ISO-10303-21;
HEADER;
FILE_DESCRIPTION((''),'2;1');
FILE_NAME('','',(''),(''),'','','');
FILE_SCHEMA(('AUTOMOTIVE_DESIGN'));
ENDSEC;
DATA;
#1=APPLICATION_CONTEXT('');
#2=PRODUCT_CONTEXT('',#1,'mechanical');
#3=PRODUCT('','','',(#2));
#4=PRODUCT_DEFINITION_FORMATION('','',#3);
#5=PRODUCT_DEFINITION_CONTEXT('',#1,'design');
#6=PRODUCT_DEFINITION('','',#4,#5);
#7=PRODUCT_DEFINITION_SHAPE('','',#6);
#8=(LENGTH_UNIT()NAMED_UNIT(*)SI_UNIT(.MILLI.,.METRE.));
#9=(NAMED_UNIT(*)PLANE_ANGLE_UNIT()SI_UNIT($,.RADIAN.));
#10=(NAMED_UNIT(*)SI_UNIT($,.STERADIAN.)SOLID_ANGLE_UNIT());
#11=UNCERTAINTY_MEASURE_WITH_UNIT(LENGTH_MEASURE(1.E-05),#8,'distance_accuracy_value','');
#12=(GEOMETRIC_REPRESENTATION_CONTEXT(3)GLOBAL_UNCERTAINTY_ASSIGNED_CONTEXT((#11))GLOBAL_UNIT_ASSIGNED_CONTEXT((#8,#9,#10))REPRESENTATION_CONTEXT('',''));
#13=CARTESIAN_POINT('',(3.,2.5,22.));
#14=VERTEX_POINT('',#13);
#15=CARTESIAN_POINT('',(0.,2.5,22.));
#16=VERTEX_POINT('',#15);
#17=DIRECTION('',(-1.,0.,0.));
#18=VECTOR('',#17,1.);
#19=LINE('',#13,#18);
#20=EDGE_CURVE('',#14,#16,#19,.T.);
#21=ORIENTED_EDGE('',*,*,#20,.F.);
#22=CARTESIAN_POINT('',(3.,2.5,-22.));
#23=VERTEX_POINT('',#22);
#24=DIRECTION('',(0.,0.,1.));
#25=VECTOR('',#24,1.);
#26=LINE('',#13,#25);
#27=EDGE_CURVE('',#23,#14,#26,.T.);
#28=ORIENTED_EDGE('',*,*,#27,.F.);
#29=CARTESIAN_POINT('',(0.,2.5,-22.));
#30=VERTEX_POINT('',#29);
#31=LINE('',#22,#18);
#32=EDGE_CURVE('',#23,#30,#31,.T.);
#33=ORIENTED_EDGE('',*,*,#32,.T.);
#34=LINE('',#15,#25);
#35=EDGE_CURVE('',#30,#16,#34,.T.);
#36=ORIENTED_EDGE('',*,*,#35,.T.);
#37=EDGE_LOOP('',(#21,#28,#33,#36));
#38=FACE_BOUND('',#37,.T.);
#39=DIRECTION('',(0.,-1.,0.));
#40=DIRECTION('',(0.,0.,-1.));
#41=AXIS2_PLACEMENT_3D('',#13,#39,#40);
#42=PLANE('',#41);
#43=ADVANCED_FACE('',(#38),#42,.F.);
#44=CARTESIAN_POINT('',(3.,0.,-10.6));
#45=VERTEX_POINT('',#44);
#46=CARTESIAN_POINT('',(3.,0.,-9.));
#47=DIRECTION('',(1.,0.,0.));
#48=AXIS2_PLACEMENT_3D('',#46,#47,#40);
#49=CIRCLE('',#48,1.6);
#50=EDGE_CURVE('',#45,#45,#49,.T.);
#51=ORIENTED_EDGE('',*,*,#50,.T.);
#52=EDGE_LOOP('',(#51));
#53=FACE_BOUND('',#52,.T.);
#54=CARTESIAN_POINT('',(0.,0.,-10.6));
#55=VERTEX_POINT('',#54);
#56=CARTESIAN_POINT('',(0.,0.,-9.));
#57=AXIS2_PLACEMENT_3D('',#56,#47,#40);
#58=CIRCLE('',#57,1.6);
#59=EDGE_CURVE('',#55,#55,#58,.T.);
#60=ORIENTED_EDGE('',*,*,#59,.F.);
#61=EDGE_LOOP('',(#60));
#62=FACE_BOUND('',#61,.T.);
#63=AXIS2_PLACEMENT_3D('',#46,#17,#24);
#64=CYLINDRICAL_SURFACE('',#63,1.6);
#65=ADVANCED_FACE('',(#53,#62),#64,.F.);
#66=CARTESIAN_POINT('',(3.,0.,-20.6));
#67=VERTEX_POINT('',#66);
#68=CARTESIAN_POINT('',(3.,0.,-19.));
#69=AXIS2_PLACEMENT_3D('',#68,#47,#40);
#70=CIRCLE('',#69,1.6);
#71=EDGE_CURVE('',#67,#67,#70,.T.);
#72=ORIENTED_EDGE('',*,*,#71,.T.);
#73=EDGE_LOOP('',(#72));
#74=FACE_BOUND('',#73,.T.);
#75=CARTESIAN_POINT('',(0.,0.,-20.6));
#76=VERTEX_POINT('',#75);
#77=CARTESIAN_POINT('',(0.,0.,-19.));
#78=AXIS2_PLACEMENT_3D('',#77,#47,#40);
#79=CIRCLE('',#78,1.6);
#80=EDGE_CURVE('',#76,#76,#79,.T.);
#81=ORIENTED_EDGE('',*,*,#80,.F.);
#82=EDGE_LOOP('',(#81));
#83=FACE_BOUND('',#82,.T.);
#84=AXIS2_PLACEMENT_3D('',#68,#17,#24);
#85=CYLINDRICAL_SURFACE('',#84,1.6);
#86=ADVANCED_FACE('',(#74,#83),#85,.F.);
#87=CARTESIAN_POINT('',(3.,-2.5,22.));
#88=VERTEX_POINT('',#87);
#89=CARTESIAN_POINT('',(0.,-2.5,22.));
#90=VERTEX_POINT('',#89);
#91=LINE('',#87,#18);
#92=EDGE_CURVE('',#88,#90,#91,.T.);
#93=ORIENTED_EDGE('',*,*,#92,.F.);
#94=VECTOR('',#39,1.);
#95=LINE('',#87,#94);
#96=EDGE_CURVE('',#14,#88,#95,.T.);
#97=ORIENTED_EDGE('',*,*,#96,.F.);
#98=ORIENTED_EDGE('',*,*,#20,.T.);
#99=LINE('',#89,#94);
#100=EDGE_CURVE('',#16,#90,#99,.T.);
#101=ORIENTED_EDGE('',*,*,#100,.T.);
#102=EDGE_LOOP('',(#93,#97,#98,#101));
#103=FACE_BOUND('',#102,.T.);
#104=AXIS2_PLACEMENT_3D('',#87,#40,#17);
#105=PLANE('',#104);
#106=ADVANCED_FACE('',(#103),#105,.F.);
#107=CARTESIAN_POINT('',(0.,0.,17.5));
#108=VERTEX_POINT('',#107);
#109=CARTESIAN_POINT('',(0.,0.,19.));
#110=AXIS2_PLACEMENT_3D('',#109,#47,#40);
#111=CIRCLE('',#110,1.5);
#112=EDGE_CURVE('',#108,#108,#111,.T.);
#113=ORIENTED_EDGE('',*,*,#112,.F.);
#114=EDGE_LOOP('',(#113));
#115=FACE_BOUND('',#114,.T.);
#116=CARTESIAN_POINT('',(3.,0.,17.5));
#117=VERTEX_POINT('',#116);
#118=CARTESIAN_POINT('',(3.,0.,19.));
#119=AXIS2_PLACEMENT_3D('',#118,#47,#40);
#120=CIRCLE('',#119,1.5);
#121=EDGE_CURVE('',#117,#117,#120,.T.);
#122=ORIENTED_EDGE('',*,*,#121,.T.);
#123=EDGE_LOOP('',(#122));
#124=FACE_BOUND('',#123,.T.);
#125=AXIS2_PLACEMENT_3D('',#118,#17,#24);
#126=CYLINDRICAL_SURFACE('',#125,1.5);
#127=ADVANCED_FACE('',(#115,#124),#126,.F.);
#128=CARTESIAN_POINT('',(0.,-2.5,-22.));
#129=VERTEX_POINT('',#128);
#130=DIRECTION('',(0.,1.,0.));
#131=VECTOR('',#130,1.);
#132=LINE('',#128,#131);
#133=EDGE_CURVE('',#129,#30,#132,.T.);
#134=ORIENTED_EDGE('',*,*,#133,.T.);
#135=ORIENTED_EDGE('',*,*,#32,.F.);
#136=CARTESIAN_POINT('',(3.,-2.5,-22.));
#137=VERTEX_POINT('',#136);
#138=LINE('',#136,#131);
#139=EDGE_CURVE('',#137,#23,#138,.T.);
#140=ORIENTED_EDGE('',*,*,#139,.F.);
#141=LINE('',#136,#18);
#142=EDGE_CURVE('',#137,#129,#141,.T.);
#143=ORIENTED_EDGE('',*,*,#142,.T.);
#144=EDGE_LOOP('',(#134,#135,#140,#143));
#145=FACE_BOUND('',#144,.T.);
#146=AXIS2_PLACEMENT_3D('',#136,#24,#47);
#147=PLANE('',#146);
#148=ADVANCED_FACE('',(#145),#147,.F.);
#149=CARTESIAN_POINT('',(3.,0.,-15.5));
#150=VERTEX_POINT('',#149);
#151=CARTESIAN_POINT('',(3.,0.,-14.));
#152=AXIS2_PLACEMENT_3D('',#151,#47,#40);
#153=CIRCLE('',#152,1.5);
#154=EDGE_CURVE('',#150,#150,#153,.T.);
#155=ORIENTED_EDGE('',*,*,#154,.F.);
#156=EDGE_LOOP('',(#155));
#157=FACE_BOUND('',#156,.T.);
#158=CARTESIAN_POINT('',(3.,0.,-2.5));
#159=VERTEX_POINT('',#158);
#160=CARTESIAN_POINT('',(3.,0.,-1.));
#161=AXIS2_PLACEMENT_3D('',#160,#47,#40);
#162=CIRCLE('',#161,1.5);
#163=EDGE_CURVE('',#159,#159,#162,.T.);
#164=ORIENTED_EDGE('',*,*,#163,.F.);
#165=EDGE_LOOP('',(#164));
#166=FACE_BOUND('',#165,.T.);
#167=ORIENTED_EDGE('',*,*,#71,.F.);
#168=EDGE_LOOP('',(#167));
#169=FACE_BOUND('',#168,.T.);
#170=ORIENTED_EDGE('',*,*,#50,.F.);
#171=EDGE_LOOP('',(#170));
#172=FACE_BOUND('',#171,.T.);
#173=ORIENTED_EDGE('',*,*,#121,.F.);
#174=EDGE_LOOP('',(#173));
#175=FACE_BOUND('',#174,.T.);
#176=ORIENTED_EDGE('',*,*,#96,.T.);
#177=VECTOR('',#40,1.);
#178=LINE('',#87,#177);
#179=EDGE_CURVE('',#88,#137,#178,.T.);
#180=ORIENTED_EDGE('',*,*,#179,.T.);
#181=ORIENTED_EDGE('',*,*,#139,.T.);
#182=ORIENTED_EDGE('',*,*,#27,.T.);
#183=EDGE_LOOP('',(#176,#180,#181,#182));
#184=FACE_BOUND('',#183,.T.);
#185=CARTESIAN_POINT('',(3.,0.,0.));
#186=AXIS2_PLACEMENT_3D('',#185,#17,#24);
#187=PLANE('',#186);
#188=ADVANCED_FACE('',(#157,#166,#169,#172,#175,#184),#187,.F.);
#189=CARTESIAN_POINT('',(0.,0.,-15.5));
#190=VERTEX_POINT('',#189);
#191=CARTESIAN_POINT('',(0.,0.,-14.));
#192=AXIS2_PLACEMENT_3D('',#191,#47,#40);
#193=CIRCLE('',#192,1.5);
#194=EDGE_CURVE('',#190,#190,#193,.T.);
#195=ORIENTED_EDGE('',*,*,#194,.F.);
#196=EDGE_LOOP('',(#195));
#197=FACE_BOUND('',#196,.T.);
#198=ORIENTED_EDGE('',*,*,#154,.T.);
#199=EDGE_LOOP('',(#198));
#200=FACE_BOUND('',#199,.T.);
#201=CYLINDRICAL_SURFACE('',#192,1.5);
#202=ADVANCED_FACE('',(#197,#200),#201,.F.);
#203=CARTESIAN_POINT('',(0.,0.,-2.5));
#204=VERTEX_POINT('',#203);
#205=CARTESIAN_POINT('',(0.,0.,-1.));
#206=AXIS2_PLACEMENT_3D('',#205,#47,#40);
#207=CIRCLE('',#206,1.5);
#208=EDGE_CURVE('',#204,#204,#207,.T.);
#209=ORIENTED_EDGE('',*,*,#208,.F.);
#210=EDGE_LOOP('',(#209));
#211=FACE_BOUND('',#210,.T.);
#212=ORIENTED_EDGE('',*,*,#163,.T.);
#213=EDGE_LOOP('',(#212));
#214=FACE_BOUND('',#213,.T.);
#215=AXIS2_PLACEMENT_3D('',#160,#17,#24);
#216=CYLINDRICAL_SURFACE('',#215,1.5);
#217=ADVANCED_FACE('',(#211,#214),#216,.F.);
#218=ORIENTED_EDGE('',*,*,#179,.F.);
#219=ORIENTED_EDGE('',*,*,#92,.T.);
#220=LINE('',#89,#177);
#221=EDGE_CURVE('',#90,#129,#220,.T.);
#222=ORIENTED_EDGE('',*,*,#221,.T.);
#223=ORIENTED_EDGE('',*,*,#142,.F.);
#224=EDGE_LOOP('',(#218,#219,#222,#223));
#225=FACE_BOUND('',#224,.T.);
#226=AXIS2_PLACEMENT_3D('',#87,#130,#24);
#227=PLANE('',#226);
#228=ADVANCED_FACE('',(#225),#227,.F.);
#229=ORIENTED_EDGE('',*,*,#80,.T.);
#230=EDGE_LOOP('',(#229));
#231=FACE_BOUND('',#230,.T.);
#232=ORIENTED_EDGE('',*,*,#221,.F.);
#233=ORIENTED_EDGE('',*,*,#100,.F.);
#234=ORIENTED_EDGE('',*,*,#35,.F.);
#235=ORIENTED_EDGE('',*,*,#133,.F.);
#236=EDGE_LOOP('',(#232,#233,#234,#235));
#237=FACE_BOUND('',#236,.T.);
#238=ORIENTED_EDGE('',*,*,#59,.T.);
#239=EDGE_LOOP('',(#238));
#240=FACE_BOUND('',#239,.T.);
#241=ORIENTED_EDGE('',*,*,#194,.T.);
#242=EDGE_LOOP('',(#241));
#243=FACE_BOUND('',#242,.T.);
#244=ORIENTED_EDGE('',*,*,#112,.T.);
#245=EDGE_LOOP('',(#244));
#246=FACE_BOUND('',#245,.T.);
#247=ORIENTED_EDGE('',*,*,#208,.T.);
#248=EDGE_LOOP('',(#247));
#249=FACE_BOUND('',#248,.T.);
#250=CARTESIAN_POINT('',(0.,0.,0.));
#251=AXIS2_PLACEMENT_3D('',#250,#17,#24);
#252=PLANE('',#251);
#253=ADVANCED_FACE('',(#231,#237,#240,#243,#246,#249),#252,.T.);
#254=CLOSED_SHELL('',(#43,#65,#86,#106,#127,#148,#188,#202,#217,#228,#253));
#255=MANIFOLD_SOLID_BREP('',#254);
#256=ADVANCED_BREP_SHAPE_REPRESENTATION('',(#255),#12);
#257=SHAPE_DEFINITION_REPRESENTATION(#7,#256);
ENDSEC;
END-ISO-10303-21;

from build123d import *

# Parameters (mm, degrees)
SKETCH2_W           = 44
SKETCH2_H           = 5
SKETCH2_R           = 1.6
SKETCH2_R_2         = 1.5
BOSS_EXTRUDE1_DEPTH = 3
SKETCH3_R           = 1.5
CUT_EXTRUDE1_DEPTH  = 23.343902972


with BuildPart() as part:
    # Sketch2 → Boss-Extrude1 (new body)
    with BuildSketch(Plane(origin=(0, 0, 0), x_dir=(0, 0, -1), z_dir=(1, 0, 0))):
        Rectangle(SKETCH2_W, SKETCH2_H)
        with Locations((19, 0)):
            Circle(SKETCH2_R, mode=Mode.SUBTRACT)
        with Locations((9, 0)):
            Circle(SKETCH2_R, mode=Mode.SUBTRACT)
        with Locations((1, 0)):
            Circle(SKETCH2_R_2, mode=Mode.SUBTRACT)
        with Locations((-19, 0)):
            Circle(SKETCH2_R_2, mode=Mode.SUBTRACT)
    extrude(amount=BOSS_EXTRUDE1_DEPTH)

    # Sketch3 → Cut-Extrude1 (cut, through all)
    with BuildSketch(Plane(origin=(3, 0, 0), x_dir=(0, 0, -1), z_dir=(1, 0, 0))):
        with Locations((14, 0)):
            Circle(SKETCH3_R)
    extrude(amount=-CUT_EXTRUDE1_DEPTH, mode=Mode.SUBTRACT)


solid = part.part
